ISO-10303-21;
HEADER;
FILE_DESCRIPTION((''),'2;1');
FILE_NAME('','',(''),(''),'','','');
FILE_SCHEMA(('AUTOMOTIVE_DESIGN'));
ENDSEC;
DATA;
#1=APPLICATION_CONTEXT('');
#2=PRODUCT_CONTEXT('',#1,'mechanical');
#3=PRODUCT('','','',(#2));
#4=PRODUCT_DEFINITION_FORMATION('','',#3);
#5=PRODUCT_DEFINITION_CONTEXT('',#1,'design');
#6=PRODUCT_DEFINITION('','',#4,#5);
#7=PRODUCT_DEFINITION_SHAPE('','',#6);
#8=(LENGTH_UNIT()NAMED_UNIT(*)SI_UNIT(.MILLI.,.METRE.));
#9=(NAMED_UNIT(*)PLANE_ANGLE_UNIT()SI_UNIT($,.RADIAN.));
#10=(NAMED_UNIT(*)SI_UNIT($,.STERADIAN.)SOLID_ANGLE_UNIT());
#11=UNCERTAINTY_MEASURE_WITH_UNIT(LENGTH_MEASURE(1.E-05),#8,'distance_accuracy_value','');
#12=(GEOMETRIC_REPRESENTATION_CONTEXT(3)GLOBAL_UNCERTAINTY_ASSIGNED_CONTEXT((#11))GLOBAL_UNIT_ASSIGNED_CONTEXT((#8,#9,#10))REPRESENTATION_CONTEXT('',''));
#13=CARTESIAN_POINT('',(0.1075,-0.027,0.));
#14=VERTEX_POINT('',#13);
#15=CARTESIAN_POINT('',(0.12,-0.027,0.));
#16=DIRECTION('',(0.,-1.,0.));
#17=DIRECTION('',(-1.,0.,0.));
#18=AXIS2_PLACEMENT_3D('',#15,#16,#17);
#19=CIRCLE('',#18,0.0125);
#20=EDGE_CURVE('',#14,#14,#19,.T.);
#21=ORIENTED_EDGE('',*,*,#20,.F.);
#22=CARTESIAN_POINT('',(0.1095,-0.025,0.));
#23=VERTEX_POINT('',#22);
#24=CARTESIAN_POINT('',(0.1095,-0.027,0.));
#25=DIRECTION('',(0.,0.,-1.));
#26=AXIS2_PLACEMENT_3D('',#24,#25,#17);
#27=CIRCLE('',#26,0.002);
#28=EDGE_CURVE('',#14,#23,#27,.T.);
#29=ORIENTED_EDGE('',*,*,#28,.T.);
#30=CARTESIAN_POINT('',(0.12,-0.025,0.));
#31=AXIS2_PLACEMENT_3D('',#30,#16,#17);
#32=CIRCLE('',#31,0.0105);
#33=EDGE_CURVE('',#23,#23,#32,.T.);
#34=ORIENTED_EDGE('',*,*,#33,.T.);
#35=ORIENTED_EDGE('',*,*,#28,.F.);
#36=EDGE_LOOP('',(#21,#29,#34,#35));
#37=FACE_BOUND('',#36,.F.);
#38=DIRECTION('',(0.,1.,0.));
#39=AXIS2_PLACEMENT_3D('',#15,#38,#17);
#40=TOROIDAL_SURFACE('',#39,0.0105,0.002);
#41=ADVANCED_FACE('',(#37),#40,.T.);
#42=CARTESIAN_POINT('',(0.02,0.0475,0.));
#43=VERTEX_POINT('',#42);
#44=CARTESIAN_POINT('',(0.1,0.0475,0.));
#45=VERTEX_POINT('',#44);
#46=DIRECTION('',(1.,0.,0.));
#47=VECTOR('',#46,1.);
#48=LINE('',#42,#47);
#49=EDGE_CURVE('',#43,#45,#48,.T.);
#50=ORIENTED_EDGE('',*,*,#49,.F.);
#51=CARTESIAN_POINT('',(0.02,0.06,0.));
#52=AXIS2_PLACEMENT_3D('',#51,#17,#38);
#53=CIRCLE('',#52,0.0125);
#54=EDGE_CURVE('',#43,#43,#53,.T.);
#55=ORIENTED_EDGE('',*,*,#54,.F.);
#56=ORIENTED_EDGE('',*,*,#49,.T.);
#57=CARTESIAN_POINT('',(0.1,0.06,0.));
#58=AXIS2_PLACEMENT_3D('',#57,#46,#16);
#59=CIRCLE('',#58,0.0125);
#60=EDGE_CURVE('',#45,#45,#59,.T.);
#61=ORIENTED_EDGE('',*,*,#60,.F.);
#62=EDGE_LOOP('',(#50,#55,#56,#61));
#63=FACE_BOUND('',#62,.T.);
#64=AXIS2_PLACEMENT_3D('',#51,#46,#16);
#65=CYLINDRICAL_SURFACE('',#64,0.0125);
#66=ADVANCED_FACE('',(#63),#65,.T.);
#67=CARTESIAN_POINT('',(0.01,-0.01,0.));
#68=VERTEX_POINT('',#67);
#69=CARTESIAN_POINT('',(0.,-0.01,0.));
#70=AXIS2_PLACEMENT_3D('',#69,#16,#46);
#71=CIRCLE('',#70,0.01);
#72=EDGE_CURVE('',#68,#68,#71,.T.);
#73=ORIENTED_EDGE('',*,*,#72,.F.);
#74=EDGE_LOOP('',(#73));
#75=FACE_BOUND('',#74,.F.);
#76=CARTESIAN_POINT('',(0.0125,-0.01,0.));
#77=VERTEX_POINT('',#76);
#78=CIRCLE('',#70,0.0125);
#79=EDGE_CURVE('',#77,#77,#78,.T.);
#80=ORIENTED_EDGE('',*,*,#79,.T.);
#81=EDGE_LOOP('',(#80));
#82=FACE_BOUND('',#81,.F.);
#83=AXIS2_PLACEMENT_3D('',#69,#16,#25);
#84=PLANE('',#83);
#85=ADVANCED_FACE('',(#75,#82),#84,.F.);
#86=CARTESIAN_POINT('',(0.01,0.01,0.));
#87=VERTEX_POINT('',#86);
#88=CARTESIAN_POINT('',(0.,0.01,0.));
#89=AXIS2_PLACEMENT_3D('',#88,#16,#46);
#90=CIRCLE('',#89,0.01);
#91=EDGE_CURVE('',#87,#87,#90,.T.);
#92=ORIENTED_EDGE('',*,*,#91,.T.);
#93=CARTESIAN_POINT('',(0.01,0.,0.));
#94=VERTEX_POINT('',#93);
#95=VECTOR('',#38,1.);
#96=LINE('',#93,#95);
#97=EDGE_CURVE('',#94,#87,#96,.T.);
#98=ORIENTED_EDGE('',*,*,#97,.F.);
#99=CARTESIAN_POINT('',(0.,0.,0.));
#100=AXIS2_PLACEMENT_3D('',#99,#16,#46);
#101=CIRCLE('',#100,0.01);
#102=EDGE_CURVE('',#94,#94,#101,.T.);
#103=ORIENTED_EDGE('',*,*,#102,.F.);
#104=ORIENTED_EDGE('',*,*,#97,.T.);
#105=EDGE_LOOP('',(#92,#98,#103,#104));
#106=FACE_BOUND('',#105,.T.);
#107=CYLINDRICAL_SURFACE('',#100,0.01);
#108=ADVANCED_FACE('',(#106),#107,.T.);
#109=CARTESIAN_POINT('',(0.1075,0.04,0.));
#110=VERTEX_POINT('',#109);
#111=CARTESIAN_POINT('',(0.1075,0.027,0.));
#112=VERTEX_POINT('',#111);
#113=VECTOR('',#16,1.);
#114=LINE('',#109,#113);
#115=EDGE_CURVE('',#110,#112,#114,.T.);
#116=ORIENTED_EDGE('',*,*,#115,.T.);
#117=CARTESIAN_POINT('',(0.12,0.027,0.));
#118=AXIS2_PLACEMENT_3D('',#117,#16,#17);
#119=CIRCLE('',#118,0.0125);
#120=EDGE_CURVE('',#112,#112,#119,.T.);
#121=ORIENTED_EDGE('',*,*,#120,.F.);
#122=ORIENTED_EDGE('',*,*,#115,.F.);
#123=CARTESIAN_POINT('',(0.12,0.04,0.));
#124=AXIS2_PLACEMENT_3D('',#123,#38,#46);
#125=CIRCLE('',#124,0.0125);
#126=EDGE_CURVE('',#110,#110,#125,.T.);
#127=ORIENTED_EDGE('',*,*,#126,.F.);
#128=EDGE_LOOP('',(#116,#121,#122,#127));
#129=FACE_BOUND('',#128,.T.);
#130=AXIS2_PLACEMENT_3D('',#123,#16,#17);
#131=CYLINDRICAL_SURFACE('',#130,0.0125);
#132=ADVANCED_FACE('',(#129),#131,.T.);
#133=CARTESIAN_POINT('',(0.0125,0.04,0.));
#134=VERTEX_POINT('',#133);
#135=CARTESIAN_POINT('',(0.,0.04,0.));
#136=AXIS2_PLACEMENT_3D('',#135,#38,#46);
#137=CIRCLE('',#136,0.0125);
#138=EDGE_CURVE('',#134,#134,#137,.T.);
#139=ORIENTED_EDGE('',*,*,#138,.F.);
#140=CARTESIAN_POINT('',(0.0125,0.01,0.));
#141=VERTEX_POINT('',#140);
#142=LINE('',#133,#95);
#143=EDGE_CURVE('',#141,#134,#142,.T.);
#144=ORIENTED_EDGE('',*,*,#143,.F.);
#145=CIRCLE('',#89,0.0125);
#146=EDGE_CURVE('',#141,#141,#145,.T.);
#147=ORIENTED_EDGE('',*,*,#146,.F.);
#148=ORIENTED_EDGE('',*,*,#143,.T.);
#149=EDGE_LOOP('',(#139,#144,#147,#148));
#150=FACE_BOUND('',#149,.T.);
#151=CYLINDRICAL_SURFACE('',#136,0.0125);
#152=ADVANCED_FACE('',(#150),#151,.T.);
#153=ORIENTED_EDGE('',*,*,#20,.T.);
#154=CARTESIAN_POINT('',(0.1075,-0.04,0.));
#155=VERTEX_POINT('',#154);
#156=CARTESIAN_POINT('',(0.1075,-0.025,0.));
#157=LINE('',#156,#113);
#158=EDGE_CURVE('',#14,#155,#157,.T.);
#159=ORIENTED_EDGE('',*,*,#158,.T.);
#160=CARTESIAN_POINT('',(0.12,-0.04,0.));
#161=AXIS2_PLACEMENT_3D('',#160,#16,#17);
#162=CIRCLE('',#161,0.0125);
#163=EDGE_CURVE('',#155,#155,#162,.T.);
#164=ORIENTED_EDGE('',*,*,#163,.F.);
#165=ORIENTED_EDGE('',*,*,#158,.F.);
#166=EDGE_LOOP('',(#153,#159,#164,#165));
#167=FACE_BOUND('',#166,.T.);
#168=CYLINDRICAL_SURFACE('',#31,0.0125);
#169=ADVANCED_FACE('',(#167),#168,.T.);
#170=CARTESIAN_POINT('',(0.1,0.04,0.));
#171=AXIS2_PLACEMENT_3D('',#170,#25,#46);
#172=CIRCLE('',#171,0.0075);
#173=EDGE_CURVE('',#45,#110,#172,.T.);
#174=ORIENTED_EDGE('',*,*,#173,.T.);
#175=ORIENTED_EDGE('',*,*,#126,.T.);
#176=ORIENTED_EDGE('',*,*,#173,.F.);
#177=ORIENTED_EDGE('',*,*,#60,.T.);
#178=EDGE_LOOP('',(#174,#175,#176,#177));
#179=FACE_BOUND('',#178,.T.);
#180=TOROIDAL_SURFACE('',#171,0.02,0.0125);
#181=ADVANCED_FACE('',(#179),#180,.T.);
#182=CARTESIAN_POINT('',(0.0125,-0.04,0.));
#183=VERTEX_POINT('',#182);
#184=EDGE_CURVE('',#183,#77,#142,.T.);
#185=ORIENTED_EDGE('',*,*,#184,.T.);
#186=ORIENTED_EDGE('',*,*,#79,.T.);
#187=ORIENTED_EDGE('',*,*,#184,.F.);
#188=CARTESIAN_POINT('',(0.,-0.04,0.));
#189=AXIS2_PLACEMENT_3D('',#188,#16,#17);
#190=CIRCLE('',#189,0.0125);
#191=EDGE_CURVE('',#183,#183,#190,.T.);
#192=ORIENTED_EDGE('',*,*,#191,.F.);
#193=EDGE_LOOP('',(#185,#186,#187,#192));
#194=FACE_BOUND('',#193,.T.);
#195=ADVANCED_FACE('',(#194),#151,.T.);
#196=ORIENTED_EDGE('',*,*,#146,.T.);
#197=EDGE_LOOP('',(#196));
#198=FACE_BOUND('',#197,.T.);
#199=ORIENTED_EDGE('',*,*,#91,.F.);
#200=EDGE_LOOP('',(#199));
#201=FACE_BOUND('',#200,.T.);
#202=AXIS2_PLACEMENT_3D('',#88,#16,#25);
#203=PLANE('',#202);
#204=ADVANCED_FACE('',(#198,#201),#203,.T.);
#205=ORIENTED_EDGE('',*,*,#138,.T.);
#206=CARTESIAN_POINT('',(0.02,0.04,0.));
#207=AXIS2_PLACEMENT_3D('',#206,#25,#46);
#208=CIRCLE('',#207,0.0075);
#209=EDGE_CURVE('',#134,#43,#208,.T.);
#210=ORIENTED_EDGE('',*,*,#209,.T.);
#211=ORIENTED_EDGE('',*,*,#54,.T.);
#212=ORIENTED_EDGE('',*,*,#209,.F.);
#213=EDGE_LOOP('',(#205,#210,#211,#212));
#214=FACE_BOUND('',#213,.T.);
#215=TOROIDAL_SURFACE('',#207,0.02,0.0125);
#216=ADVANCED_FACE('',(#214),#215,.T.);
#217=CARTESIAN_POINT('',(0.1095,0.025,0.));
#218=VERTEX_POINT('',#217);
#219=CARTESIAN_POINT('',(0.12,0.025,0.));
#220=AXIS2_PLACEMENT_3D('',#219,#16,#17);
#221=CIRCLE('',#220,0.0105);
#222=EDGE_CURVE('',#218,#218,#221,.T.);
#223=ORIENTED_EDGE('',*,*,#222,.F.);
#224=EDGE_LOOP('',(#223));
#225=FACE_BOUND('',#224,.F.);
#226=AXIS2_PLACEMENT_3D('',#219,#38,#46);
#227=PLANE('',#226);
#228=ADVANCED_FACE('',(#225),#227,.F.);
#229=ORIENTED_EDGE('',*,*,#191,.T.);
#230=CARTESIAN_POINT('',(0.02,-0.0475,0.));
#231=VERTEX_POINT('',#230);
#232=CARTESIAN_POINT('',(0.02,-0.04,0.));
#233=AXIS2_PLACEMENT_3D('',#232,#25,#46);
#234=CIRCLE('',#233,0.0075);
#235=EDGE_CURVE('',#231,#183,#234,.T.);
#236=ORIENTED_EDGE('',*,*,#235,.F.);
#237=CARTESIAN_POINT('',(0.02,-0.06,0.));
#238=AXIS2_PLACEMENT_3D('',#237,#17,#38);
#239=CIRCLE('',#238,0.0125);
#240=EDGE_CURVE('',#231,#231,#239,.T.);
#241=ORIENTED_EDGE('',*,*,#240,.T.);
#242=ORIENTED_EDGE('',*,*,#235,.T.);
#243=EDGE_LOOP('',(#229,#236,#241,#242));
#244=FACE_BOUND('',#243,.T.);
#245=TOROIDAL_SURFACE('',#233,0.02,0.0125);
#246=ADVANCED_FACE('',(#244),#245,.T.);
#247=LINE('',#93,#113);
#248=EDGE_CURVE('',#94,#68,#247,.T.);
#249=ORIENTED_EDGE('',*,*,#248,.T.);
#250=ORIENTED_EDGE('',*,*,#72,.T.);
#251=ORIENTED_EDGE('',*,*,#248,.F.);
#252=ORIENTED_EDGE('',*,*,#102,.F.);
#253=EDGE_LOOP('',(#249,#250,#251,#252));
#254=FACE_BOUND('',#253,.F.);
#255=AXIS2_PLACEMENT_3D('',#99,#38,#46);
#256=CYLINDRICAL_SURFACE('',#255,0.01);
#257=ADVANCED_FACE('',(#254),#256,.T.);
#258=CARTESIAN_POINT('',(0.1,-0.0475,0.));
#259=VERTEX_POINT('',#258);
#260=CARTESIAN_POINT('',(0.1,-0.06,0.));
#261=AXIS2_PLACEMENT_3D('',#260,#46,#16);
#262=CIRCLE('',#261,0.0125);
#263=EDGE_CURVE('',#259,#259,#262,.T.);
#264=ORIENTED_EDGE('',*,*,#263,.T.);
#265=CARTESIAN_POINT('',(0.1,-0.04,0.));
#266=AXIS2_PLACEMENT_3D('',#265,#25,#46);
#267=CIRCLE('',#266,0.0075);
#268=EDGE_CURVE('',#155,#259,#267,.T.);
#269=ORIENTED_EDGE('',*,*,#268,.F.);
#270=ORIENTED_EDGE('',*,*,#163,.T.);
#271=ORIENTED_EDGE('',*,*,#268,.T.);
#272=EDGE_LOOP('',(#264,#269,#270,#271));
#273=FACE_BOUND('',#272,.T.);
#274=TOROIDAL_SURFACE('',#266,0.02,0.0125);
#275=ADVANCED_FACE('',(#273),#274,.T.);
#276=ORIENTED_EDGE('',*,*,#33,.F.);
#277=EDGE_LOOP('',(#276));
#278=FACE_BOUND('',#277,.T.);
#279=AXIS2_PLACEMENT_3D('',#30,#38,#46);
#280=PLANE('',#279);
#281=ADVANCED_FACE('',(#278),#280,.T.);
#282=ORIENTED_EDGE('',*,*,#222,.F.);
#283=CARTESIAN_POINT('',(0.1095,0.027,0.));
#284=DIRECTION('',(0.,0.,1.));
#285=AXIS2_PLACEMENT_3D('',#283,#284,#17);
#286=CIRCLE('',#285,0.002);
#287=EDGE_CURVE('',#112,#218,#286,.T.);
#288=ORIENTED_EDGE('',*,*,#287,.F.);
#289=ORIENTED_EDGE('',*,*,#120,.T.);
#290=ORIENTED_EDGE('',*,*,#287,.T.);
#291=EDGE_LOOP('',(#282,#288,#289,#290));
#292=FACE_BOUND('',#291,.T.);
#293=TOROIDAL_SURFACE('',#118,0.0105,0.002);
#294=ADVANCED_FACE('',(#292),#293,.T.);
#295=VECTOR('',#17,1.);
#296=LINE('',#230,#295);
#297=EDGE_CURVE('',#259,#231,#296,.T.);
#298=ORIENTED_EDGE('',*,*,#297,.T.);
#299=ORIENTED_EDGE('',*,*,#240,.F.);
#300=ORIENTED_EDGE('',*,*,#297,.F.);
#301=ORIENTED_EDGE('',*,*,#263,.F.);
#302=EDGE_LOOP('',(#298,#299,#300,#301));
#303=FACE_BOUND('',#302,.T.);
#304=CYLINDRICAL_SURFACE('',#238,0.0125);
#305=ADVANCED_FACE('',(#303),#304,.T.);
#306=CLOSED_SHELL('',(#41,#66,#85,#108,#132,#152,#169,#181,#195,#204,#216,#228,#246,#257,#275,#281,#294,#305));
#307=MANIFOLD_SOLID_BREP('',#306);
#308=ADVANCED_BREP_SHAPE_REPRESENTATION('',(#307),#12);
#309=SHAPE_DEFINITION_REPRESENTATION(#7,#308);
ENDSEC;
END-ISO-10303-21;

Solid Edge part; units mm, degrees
sketch "Sketch1" plane through (0, 0, 0) normal (0, 0, 1) x (1, 0, 0)
  line L0 (0.12, -0.025) -> (0.12, -0.04)
  arc A0 (0.1, -0.06) -> (0.12, -0.04) centre (0.1, -0.04) ccw
  line L1 (0.02, -0.06) -> (0.1, -0.06)
  arc A1 (0, -0.04) -> (0.02, -0.06) centre (0.02, -0.04) ccw
  line L2 (0, 0.04) -> (0, -0.04)
  arc A2 (0.02, 0.06) -> (0, 0.04) centre (0.02, 0.04) ccw
  line L3 (0.02, 0.06) -> (0.1, 0.06)
  arc A3 (0.1, 0.06) -> (0.12, 0.04) centre (0.1, 0.04) cw
  line L4 (0.12, 0.04) -> (0.12, 0.025)
  dimension "D1" = 0.12
  dimension "D2" = 0.05
  dimension "D3" = 0.12
sketch "Sketch2" plane through (0, 0, 0) normal (0, -1, 0) x (1, 0, 0)
  circle A0 centre (0, 0) radius 0.0125
sweep "SweptProtrusion1" add profiles "Sketch2" path "Sketch1"
fillet "Round1" radius 0.002 2 edges at (0.1325, 0.025, 0) (0.1325, -0.025, 0)
sketch "Sketch3" plane through (0, 0, 0) normal (0, -1, 0) x (1, 0, 0)
  circle A0 centre (0, 0) radius 0.0125
  circle A1 centre (0, 0) radius 0.01
extrude "Ausschnitt_1" cut sketch "Sketch3" along normal mid plane 0.02
